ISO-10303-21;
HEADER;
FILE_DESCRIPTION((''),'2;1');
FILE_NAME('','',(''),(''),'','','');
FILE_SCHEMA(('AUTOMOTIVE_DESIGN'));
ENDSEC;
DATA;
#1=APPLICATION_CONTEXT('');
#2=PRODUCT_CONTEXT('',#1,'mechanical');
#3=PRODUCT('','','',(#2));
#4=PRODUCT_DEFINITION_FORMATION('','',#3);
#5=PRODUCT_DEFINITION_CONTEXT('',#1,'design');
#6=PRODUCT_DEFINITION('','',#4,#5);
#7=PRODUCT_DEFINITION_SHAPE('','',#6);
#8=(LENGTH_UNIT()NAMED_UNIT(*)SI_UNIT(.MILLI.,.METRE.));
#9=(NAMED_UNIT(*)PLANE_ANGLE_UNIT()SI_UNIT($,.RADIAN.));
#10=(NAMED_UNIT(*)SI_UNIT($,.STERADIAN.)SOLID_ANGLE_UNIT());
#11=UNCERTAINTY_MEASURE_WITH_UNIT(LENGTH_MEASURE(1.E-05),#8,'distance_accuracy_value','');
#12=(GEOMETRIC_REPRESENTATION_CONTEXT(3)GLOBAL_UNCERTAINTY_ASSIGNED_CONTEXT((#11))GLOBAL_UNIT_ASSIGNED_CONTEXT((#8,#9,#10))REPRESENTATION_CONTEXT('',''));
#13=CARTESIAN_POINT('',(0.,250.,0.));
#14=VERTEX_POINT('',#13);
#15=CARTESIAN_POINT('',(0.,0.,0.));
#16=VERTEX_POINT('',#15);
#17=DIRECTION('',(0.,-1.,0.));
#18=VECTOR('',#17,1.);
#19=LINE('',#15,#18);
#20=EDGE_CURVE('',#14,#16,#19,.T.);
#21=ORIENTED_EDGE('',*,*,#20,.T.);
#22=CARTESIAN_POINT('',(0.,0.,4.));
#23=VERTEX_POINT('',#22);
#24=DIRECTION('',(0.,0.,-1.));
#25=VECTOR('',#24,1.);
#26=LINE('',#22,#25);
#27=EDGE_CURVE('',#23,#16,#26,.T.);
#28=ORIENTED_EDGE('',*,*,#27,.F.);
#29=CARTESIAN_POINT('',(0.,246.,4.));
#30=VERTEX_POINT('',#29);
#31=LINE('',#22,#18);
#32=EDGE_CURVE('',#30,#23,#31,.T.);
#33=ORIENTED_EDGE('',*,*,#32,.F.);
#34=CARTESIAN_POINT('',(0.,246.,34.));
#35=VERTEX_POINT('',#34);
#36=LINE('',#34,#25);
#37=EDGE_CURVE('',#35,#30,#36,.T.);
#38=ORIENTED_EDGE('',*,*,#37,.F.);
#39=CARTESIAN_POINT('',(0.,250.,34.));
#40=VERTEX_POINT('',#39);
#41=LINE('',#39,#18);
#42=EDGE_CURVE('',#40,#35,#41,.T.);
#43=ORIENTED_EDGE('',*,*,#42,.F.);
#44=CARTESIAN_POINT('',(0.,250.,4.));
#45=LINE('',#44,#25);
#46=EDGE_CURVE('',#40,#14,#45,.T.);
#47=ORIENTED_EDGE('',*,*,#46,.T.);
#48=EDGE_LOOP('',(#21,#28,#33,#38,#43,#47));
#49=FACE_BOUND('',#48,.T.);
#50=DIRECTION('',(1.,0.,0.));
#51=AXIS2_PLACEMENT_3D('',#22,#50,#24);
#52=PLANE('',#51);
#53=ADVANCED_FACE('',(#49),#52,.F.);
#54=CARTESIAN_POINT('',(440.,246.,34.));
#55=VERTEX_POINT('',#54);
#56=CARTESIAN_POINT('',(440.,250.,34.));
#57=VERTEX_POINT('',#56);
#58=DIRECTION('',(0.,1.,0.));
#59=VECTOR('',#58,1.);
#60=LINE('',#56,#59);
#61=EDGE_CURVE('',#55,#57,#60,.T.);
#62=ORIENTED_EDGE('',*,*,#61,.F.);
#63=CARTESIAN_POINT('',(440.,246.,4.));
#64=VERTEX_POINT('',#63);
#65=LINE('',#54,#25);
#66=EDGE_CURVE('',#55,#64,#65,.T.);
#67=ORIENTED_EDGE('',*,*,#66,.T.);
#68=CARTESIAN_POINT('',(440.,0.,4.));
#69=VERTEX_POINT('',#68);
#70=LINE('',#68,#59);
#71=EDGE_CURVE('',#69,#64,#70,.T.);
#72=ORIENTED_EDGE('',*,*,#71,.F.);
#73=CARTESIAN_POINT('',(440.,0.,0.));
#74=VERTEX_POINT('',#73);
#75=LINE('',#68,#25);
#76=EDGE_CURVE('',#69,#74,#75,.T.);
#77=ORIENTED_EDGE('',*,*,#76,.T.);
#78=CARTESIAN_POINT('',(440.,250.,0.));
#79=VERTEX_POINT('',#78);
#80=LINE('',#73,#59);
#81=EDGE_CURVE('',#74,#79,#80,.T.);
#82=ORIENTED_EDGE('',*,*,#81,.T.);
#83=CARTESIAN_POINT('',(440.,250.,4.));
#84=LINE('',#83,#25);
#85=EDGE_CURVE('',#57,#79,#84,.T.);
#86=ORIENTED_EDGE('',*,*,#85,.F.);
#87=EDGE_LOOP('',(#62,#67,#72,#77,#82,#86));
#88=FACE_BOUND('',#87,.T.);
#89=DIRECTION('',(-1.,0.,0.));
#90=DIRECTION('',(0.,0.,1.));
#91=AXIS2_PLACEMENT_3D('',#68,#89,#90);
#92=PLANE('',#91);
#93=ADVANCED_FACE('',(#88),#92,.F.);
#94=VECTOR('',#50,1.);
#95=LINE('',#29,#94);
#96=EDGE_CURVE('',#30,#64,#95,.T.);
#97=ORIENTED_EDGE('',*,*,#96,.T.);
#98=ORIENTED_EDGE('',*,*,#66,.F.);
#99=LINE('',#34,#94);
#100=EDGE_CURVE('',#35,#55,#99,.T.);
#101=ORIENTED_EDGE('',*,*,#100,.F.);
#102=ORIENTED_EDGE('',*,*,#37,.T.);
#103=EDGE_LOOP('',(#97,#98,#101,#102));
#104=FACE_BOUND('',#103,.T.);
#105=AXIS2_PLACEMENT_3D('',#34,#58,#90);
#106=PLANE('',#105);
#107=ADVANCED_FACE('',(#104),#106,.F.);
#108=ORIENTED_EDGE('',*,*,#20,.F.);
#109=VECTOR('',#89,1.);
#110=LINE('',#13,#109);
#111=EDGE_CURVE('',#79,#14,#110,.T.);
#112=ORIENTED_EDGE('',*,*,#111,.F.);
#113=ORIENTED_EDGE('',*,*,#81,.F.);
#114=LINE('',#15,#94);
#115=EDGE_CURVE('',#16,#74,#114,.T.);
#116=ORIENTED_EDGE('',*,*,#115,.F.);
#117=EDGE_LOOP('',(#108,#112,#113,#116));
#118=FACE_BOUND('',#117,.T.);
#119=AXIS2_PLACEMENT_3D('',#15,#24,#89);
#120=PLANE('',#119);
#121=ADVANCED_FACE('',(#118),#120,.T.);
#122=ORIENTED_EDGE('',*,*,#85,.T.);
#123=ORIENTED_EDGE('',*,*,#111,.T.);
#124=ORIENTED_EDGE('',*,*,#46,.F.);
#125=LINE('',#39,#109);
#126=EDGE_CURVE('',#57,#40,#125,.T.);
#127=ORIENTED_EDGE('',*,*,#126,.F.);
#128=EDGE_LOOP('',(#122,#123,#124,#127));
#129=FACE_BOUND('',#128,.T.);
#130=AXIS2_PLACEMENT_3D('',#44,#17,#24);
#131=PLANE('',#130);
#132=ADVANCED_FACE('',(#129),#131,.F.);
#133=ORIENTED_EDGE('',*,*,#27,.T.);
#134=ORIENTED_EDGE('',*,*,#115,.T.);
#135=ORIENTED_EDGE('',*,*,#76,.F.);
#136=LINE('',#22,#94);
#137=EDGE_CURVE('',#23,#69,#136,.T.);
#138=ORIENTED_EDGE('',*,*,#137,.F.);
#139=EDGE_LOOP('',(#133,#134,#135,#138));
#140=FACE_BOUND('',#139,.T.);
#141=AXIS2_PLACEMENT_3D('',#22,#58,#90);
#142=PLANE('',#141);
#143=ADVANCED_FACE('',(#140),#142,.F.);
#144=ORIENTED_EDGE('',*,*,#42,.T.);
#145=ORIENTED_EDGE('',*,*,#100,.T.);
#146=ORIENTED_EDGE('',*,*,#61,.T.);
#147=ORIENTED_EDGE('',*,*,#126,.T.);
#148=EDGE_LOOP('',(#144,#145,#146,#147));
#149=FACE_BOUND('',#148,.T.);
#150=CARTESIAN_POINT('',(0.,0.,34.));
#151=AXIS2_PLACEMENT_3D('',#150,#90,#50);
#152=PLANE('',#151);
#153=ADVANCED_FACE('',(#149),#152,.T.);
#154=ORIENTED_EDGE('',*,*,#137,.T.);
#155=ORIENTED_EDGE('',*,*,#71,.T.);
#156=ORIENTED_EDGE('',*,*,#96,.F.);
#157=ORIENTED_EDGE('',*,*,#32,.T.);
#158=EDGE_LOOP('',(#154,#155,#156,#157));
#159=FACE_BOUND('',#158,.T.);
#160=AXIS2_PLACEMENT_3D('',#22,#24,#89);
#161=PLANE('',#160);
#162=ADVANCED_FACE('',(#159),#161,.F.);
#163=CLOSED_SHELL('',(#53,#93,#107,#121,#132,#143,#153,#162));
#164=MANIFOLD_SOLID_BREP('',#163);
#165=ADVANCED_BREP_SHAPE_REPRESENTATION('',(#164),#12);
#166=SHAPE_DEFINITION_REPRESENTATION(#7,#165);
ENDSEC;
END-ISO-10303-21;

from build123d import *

# Parameters (mm, degrees)
SKETCH1_W           = 440
SKETCH1_H           = 250
BOSS_EXTRUDE1_DEPTH = 4
SKETCH2_W           = 440
SKETCH2_H           = 4
BOSS_EXTRUDE2_DEPTH = 30


with BuildPart() as part:
    # Sketch1 → Boss-Extrude1 (new body)
    with BuildSketch(Plane.XY):
        with Locations((220, 125)):
            Rectangle(SKETCH1_W, SKETCH1_H)
    extrude(amount=BOSS_EXTRUDE1_DEPTH)

    # Sketch2 → Boss-Extrude2 (add)
    with BuildSketch(Plane.XY.offset(4)):
        with Locations((220, 248)):
            Rectangle(SKETCH2_W, SKETCH2_H)
    extrude(amount=BOSS_EXTRUDE2_DEPTH)


solid = part.part
